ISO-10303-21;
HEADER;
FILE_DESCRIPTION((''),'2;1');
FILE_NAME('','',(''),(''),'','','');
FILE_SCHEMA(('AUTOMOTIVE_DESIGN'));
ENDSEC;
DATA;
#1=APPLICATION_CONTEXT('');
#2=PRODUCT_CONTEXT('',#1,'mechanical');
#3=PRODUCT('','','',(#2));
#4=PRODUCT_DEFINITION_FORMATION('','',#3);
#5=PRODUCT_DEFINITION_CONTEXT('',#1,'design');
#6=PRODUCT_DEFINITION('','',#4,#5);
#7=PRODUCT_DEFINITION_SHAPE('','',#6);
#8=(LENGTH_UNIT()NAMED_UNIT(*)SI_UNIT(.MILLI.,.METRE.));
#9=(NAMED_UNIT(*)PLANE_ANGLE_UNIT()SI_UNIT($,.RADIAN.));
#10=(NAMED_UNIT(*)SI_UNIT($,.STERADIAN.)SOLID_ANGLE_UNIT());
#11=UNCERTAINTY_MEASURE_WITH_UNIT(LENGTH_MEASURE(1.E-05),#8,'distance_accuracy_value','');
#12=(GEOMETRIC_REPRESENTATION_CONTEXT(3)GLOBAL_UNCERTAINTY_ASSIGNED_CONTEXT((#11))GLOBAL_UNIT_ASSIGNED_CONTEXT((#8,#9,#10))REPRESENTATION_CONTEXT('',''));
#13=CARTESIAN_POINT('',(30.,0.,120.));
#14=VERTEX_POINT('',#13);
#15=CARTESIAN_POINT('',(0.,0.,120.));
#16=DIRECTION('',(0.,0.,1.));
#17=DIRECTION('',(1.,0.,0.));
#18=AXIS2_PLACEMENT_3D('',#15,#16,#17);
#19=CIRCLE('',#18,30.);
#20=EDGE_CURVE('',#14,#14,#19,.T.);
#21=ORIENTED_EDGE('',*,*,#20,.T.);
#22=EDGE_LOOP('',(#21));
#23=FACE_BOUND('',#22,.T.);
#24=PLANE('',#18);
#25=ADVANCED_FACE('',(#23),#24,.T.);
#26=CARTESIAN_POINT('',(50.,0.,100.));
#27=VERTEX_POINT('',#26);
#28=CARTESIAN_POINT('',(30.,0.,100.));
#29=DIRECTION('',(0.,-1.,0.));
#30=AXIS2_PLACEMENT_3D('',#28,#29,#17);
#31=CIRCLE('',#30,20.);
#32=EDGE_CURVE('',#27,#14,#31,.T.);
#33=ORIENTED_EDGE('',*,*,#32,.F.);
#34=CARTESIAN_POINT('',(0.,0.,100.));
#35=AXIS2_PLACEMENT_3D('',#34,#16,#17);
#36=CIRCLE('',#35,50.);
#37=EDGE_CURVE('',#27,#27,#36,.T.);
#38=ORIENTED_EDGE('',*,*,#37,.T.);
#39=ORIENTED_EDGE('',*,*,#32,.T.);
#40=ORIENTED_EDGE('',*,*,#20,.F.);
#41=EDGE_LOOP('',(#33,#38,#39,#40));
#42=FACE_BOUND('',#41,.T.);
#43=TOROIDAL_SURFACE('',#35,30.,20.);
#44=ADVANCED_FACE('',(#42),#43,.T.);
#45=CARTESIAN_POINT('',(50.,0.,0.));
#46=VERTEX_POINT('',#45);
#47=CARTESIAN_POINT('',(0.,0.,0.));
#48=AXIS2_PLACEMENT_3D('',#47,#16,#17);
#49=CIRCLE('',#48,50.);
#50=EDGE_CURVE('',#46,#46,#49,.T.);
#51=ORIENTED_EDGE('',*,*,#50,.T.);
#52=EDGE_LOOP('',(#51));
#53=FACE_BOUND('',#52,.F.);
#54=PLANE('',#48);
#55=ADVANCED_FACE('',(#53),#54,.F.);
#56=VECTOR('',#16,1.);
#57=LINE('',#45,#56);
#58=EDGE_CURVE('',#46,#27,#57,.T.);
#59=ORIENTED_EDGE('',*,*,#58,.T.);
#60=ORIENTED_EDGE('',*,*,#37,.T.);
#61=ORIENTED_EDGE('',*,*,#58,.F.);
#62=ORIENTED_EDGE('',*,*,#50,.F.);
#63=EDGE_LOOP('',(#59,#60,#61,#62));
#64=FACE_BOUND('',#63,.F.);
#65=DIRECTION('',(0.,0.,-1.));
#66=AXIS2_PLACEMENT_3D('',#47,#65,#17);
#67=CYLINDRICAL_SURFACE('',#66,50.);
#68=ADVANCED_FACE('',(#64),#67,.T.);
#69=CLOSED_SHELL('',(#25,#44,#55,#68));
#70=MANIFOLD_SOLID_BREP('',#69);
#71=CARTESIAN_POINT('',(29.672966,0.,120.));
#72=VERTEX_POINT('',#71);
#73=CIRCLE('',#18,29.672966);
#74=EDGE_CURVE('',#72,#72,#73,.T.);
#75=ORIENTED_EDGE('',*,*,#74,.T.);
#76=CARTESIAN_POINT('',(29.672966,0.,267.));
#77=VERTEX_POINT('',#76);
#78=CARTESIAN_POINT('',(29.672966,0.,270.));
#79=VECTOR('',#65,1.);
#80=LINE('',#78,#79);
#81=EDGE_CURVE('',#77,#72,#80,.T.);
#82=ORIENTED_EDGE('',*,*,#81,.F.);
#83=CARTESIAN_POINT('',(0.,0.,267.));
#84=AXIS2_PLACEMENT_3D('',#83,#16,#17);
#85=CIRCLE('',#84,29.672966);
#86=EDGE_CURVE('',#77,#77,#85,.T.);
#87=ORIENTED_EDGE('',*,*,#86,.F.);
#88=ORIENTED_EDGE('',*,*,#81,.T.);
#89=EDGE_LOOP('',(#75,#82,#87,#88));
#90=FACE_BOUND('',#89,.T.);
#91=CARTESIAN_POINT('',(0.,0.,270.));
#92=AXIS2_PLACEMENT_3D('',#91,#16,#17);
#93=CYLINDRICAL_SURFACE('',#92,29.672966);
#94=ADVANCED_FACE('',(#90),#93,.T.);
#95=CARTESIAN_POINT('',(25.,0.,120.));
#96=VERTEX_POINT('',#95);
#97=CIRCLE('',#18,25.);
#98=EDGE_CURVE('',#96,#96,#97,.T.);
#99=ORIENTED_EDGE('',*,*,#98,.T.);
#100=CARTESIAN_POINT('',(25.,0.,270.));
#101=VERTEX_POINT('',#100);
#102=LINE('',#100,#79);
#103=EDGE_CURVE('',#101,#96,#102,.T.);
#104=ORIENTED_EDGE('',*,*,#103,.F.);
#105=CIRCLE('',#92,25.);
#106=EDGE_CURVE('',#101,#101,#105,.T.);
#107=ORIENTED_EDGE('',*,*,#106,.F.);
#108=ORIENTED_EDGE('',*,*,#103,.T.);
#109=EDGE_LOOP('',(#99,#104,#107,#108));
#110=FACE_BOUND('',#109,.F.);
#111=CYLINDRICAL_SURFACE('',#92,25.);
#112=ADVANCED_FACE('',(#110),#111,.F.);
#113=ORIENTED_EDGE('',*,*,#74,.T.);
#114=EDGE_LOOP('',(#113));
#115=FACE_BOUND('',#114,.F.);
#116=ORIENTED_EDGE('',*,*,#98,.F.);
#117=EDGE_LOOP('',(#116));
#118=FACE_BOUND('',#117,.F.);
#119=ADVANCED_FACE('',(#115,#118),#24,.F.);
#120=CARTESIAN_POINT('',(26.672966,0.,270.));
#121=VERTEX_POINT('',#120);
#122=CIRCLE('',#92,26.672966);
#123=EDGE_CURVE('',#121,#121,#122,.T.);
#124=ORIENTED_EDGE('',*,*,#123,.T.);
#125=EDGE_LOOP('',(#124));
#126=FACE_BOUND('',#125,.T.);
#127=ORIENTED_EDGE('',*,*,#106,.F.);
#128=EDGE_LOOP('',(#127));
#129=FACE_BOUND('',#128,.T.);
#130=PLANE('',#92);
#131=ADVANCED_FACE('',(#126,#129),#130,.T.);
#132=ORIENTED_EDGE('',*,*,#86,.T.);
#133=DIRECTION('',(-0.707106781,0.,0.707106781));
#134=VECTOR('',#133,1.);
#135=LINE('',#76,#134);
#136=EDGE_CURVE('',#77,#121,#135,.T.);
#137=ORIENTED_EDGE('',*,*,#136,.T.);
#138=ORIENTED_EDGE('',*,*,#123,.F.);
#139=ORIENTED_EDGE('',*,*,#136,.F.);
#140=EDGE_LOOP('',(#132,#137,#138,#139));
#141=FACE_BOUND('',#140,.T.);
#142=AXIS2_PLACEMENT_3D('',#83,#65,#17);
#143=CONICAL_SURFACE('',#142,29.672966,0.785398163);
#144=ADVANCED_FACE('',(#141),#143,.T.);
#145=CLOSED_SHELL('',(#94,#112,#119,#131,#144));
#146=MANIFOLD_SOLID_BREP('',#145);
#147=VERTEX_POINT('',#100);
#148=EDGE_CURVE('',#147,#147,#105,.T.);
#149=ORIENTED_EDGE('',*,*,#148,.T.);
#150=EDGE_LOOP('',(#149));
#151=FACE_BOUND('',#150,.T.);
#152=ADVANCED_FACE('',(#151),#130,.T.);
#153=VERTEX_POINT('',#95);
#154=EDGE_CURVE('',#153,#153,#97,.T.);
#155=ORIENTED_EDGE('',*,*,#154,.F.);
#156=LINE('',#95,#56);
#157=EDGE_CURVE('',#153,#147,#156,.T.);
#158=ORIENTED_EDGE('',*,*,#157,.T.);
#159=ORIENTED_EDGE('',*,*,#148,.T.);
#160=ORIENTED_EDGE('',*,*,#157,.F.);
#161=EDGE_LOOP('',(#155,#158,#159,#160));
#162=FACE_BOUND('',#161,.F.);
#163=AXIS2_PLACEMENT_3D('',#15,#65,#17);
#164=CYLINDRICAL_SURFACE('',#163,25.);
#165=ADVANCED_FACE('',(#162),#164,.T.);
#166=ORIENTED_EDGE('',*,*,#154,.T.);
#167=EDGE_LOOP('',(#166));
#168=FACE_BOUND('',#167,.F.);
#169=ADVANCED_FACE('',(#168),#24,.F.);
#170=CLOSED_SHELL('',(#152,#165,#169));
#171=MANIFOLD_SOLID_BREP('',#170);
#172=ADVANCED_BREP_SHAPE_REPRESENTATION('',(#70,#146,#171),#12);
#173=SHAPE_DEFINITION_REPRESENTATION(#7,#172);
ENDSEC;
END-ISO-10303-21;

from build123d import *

# Parameters (mm, degrees)
F0_R     = 50
F1_DEPTH = 120
F2_R     = 25
F3_DEPTH = 150
F4_R     = 20
F5_R     = 29.672966
F5_R_2   = 25
F6_DEPTH = 150
F7_SIZE  = 3


with BuildPart() as f1:
    # F0 (on Top) → F1 (new body)
    with BuildSketch(Plane.XY):
        Circle(F0_R)
    extrude(amount=F1_DEPTH)

    # F4
    f4_edges = [f1.edges().sort_by_distance(p)[0] for p in [
        (-50, 0, 120),
    ]]
    fillet(f4_edges, radius=F4_R)


with BuildPart() as f3:
    # F2 (on face) → F3 (new body)
    with BuildSketch(Plane.XY.offset(120)):
        Circle(F2_R)
    extrude(amount=F3_DEPTH)


with BuildPart() as f6:
    # F5 (on face) → F6 (new body)
    with BuildSketch(Plane.XY.offset(270)):
        Circle(F5_R)
        Circle(F5_R_2, mode=Mode.SUBTRACT)
    extrude(amount=-F6_DEPTH)

    # F7
    f7_edges = [f6.edges().sort_by_distance(p)[0] for p in [
        (-29.672966, 0, 270),
    ]]
    chamfer(f7_edges, length=F7_SIZE)


solid = Compound([f1.part, f3.part, f6.part])
